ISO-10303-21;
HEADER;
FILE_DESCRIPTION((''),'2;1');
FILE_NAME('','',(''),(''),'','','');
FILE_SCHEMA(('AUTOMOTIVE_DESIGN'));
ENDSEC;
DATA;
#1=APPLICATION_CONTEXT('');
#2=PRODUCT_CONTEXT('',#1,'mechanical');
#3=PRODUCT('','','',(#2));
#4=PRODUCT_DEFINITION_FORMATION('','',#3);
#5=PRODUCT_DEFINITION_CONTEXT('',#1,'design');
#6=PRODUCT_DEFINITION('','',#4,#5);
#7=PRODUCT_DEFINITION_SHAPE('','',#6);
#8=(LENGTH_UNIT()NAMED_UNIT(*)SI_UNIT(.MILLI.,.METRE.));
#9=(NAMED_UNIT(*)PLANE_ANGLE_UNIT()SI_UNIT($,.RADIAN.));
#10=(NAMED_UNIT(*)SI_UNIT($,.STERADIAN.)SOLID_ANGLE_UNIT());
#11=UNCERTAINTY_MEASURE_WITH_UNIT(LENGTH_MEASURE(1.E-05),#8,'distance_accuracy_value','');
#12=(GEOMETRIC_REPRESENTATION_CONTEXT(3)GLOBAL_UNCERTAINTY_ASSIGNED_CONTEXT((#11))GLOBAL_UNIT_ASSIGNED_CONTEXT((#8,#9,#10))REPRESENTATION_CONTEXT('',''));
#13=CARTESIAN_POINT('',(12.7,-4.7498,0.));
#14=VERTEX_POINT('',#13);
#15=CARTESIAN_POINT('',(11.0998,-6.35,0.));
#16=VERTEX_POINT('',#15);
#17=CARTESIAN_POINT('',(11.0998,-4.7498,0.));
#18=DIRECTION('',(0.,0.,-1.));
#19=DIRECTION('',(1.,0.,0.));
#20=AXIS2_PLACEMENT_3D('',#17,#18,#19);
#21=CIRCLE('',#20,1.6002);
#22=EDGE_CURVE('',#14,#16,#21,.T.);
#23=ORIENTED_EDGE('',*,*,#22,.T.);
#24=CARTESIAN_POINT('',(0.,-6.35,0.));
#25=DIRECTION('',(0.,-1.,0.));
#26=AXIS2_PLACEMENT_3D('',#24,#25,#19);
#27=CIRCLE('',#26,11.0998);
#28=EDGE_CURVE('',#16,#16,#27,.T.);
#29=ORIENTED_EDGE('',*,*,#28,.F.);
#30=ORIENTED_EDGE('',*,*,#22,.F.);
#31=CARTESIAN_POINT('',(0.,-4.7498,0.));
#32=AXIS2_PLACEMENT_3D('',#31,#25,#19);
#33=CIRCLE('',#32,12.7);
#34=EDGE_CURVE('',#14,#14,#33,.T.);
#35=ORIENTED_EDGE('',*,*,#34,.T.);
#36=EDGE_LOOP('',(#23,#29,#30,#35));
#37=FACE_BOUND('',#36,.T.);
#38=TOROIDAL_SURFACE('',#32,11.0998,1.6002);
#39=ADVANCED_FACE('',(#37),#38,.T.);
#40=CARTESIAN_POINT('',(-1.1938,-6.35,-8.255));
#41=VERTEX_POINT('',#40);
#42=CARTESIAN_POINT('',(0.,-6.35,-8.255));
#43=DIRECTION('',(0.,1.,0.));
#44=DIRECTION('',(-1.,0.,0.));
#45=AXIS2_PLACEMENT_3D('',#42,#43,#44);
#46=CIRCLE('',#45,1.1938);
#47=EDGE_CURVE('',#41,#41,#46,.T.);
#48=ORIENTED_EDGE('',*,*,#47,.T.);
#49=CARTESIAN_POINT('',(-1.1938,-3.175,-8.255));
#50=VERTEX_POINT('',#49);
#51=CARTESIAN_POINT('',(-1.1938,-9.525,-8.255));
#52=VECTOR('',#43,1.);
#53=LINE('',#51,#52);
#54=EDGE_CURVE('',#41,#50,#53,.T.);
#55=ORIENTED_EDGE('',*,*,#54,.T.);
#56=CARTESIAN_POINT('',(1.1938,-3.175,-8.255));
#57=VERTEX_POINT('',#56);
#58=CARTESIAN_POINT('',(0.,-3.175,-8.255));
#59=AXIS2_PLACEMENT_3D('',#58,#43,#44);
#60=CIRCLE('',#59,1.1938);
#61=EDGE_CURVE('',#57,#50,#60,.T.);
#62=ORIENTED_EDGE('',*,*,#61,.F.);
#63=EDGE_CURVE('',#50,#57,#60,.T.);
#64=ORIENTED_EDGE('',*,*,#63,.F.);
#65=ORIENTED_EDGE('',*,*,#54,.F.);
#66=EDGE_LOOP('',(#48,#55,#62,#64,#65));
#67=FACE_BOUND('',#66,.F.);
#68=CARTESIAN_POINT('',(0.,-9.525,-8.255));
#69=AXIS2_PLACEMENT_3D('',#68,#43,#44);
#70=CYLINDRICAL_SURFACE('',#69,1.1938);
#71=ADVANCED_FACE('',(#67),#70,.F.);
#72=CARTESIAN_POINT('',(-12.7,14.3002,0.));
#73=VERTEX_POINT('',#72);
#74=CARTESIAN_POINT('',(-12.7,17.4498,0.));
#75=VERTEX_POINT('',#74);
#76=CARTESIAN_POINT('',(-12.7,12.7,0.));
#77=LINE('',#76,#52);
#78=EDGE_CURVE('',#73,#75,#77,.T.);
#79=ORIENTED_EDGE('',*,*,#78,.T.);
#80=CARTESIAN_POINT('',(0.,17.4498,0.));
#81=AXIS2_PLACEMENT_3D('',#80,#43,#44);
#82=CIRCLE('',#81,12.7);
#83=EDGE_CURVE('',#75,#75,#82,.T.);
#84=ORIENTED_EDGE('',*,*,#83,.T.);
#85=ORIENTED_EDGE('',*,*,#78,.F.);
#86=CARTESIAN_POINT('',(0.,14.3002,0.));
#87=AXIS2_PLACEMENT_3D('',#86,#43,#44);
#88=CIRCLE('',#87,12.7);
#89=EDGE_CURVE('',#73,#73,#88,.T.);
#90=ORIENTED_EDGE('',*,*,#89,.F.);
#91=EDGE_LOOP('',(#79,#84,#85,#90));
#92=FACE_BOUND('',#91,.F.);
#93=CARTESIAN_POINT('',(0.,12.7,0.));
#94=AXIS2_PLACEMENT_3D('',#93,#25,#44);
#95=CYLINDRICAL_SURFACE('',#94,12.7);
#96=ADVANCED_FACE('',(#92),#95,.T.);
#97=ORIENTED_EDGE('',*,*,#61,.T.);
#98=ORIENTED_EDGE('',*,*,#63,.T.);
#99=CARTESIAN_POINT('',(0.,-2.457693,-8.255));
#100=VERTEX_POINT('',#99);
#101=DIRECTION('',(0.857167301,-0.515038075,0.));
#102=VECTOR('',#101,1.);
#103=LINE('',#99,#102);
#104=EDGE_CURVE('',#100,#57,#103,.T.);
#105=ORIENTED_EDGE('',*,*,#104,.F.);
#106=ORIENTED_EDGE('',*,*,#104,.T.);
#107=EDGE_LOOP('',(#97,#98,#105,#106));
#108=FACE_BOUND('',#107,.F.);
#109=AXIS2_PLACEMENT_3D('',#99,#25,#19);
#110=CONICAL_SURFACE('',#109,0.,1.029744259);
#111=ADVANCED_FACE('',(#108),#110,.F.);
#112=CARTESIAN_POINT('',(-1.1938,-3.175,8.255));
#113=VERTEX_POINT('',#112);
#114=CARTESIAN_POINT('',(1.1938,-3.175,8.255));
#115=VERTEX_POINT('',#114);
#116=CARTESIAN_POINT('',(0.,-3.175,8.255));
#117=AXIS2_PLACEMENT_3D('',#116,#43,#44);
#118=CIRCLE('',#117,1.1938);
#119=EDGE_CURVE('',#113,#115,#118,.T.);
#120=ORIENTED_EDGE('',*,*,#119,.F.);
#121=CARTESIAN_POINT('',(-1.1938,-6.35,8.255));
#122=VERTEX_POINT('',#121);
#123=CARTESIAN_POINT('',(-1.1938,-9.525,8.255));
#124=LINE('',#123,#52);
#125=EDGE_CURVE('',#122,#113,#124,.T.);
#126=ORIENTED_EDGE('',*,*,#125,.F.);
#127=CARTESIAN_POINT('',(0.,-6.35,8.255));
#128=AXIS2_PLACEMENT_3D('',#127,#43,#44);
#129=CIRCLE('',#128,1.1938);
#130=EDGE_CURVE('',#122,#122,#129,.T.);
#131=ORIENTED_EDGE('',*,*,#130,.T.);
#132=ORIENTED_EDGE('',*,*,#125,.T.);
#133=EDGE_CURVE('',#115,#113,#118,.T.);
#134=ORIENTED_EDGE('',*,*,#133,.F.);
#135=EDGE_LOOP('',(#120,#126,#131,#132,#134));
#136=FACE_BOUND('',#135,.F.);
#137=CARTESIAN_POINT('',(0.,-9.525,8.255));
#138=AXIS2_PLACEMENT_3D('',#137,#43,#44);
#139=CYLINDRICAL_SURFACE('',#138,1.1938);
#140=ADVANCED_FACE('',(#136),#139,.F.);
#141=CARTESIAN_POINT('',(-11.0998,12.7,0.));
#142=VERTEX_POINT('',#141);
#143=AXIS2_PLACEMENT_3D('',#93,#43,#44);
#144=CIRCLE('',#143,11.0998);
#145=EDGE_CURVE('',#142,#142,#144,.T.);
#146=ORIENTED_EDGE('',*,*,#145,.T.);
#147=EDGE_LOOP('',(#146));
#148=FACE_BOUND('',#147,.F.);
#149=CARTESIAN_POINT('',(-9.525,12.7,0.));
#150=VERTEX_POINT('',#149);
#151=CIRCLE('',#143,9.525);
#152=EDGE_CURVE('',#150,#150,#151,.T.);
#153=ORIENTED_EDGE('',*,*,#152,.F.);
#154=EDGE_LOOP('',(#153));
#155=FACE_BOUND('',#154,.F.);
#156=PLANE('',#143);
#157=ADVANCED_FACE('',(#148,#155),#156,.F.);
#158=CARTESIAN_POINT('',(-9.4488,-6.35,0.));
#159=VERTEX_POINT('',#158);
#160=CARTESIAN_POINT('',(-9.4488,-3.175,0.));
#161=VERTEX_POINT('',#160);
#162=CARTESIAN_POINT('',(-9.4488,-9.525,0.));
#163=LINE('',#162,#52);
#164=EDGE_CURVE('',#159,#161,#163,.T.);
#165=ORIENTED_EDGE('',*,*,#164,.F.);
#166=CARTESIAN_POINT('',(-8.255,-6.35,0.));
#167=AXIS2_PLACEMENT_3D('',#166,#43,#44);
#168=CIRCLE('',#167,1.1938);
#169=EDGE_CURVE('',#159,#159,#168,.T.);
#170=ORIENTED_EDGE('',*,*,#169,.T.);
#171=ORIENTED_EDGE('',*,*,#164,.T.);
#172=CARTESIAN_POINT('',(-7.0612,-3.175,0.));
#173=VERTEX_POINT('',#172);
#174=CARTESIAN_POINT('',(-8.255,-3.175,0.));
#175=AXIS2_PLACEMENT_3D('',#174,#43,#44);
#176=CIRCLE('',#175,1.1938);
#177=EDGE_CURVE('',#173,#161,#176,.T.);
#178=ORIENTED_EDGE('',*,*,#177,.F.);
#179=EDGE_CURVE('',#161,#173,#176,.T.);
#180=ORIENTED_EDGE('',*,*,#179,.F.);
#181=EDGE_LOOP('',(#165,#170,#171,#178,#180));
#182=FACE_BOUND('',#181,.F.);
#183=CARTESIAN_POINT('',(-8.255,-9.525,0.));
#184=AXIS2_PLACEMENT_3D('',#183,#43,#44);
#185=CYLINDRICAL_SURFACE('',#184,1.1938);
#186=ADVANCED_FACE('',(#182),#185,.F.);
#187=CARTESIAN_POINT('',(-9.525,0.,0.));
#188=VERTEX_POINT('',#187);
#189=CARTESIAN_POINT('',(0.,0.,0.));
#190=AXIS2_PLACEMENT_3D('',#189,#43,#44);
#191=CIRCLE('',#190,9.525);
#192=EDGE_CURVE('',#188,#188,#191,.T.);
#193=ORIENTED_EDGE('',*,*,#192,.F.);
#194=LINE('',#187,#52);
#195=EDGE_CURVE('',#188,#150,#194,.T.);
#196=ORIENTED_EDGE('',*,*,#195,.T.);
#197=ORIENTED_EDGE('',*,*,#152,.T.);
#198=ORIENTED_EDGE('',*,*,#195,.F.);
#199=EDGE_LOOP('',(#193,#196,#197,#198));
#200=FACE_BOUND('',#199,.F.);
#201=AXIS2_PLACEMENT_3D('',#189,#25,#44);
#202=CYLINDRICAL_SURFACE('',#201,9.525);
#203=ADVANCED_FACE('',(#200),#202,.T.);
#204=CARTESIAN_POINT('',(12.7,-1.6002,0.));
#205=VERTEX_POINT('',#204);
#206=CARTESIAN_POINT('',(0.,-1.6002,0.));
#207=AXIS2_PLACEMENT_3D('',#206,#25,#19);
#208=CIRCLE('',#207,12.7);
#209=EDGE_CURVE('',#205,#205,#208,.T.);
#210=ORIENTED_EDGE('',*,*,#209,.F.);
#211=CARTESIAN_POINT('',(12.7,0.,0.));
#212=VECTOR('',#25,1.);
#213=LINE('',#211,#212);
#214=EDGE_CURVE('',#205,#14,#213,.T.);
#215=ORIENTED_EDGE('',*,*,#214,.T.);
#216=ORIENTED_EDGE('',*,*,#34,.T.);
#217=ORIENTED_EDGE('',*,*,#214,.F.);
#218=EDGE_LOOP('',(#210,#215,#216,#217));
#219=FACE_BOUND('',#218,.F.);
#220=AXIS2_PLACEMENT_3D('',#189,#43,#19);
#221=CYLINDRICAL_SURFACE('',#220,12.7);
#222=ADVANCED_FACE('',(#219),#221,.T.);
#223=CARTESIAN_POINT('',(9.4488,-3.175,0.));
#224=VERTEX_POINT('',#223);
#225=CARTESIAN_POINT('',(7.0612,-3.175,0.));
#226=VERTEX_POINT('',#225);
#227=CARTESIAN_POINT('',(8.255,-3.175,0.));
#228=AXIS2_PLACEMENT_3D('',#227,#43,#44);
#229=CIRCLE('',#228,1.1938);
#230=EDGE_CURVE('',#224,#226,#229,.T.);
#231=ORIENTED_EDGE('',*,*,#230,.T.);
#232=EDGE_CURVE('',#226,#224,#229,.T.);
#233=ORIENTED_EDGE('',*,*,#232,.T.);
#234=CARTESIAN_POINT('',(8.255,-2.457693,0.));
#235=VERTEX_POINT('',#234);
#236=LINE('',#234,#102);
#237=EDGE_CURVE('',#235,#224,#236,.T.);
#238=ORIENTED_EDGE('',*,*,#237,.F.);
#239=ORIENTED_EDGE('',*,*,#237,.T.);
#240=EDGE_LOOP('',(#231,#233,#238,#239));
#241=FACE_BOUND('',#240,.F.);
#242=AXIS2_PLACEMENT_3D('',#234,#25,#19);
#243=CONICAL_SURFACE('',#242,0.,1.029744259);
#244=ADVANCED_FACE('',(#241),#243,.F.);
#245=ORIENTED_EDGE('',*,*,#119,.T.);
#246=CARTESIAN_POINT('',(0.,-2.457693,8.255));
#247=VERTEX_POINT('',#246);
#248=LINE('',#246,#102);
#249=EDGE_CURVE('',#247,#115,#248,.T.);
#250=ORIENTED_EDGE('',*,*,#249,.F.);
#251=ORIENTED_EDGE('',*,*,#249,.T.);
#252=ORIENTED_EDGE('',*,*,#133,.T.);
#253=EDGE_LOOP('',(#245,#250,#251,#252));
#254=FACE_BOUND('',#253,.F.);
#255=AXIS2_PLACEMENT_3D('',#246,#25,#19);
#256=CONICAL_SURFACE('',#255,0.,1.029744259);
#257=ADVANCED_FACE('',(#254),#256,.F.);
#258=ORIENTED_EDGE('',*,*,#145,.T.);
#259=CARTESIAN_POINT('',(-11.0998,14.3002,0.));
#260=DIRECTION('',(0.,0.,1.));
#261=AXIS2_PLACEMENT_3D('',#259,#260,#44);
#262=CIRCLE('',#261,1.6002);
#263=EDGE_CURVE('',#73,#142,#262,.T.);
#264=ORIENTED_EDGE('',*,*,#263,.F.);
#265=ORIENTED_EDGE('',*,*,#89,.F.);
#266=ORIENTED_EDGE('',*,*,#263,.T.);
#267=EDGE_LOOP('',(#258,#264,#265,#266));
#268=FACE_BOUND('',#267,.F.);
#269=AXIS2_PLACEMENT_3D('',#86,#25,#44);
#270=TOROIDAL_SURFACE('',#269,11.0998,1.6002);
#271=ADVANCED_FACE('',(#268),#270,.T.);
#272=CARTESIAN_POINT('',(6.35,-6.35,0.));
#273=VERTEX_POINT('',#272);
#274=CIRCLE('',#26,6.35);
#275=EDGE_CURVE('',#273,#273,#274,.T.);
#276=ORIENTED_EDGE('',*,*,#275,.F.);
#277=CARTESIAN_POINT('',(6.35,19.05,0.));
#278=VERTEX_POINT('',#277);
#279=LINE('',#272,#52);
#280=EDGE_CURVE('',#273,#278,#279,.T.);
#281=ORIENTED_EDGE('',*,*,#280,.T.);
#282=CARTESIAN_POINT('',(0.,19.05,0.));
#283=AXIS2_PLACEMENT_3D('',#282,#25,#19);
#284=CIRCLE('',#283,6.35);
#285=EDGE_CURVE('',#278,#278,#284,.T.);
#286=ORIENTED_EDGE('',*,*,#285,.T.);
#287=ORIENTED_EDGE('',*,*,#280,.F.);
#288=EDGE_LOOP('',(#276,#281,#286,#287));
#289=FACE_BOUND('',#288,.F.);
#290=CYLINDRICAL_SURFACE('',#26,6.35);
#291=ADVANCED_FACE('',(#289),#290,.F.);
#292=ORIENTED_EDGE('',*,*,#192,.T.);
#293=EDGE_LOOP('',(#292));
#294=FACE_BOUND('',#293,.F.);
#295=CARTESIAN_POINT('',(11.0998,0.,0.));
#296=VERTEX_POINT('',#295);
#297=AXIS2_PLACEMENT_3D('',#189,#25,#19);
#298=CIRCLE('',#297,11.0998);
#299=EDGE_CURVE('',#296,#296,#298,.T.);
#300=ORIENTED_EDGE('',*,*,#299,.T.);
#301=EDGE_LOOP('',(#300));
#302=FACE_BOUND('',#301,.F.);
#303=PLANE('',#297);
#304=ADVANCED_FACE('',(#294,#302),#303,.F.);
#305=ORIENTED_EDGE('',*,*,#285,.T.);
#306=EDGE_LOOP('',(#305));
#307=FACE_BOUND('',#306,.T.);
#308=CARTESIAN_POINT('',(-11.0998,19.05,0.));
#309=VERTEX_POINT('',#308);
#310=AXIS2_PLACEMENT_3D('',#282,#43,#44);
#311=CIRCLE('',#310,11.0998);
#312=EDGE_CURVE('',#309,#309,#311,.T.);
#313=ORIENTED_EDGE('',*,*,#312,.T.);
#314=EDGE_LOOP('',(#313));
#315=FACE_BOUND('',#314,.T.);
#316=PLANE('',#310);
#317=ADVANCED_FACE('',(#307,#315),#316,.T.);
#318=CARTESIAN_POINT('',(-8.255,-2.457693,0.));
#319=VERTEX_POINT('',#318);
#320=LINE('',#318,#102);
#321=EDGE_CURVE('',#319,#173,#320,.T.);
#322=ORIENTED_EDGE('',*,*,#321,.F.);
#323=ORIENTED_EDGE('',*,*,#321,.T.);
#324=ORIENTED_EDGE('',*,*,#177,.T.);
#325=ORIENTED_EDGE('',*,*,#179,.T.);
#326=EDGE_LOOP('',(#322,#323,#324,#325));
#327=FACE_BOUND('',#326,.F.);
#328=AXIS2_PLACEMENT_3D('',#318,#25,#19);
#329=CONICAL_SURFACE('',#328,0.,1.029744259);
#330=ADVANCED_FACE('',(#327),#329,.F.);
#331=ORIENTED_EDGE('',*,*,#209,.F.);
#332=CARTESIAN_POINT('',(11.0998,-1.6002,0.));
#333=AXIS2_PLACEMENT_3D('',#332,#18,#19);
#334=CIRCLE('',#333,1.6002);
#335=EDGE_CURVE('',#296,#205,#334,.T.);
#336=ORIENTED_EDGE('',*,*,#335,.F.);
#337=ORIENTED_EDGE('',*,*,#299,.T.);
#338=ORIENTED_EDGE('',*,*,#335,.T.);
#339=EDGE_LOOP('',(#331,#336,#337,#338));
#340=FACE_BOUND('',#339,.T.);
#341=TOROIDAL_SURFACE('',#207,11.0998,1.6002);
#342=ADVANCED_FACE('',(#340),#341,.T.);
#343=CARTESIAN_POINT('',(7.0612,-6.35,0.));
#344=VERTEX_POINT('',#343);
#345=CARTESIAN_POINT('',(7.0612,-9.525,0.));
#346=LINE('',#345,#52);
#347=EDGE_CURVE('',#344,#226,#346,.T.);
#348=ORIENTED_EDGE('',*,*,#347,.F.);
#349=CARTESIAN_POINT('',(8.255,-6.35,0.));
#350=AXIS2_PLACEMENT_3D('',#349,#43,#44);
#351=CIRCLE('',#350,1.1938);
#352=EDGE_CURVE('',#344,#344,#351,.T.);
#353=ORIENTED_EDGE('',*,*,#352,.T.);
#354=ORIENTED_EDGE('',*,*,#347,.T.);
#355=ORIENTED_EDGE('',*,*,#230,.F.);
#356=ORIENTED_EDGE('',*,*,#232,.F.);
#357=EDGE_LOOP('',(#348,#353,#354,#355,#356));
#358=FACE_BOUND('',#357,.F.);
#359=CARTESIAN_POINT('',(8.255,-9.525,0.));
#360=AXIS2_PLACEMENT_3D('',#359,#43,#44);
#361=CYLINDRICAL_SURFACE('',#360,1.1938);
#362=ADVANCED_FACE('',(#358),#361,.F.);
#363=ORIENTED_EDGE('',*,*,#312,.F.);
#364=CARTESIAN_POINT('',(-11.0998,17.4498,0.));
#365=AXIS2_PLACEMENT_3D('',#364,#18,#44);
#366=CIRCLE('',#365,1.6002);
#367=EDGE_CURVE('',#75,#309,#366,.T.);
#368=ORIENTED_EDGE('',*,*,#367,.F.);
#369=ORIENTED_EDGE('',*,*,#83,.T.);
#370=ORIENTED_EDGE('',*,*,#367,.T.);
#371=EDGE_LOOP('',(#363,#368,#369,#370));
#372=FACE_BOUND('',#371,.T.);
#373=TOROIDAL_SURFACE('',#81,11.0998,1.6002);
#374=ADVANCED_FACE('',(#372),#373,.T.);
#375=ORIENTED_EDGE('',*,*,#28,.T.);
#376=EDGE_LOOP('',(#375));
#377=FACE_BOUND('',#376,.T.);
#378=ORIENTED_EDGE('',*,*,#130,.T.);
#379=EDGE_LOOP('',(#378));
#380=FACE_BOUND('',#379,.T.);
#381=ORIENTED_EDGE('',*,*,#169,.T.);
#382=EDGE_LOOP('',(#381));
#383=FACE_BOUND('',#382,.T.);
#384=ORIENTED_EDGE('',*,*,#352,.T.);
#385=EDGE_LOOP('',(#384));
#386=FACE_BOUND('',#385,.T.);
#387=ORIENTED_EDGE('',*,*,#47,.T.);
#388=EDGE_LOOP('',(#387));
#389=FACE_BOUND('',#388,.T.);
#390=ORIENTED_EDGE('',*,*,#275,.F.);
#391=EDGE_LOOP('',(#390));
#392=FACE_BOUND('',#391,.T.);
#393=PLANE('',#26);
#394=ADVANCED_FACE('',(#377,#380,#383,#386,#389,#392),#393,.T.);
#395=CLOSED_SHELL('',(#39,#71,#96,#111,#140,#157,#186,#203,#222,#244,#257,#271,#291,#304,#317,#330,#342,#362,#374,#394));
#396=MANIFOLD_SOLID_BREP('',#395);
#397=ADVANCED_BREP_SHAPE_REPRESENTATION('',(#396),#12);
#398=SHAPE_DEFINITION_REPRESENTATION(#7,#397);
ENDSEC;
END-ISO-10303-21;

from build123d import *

# Parameters (mm, degrees)
F0_R      = 12.7
F1_DEPTH  = 6.35
F2_R      = 9.525
F3_DEPTH  = 12.7
F4_R      = 12.7
F5_DEPTH  = 6.35
F7_D      = 2.3876
F7_DEPTH  = 3.175
F7_TIP    = 0.717307407
F8_R      = 1.6002
F9_R      = 6.35
F10_DEPTH = 25.401


with BuildPart() as f1:
    # F0 (on Front) → F1 (new body)
    with BuildSketch(Plane.XZ):
        Circle(F0_R)
    extrude(amount=F1_DEPTH)

    # F2 (on face) → F3 (join)
    with BuildSketch(Plane(origin=(0, 0, 0), x_dir=(-1, 0, 0), z_dir=(0, 1, 0))):
        Circle(F2_R)
    extrude(amount=F3_DEPTH)

    # F4 (on face) → F5 (join)
    with BuildSketch(Plane(origin=(0, 12.7, 0), x_dir=(-1, 0, 0), z_dir=(0, 1, 0))):
        Circle(F4_R)
    extrude(amount=F5_DEPTH)

    # F7
    with Locations(Plane.XZ.offset(6.35)):
        with Locations((-8.255, 0), (0, -8.255), (8.255, 0), (0, 8.255)):
            Hole(F7_D / 2, depth=F7_DEPTH)
            with Locations((0, 0, -(F7_DEPTH + F7_TIP / 2))):  # 118° drill point
                Cone(0, F7_D / 2, F7_TIP, mode=Mode.SUBTRACT)

    # F8
    f8_edges = [f1.edges().sort_by_distance(p)[0] for p in [
        (-12.7, -6.35, 0),
        (-12.7, 0, 0),
        (12.7, 19.05, 0),
        (12.7, 12.7, 0),
    ]]
    fillet(f8_edges, radius=F8_R)

    # F9 (on face) → F10 (cut, through all)
    with BuildSketch(Plane.XZ.offset(6.35)):
        Circle(F9_R)
    extrude(amount=-F10_DEPTH, mode=Mode.SUBTRACT)


solid = f1.part
